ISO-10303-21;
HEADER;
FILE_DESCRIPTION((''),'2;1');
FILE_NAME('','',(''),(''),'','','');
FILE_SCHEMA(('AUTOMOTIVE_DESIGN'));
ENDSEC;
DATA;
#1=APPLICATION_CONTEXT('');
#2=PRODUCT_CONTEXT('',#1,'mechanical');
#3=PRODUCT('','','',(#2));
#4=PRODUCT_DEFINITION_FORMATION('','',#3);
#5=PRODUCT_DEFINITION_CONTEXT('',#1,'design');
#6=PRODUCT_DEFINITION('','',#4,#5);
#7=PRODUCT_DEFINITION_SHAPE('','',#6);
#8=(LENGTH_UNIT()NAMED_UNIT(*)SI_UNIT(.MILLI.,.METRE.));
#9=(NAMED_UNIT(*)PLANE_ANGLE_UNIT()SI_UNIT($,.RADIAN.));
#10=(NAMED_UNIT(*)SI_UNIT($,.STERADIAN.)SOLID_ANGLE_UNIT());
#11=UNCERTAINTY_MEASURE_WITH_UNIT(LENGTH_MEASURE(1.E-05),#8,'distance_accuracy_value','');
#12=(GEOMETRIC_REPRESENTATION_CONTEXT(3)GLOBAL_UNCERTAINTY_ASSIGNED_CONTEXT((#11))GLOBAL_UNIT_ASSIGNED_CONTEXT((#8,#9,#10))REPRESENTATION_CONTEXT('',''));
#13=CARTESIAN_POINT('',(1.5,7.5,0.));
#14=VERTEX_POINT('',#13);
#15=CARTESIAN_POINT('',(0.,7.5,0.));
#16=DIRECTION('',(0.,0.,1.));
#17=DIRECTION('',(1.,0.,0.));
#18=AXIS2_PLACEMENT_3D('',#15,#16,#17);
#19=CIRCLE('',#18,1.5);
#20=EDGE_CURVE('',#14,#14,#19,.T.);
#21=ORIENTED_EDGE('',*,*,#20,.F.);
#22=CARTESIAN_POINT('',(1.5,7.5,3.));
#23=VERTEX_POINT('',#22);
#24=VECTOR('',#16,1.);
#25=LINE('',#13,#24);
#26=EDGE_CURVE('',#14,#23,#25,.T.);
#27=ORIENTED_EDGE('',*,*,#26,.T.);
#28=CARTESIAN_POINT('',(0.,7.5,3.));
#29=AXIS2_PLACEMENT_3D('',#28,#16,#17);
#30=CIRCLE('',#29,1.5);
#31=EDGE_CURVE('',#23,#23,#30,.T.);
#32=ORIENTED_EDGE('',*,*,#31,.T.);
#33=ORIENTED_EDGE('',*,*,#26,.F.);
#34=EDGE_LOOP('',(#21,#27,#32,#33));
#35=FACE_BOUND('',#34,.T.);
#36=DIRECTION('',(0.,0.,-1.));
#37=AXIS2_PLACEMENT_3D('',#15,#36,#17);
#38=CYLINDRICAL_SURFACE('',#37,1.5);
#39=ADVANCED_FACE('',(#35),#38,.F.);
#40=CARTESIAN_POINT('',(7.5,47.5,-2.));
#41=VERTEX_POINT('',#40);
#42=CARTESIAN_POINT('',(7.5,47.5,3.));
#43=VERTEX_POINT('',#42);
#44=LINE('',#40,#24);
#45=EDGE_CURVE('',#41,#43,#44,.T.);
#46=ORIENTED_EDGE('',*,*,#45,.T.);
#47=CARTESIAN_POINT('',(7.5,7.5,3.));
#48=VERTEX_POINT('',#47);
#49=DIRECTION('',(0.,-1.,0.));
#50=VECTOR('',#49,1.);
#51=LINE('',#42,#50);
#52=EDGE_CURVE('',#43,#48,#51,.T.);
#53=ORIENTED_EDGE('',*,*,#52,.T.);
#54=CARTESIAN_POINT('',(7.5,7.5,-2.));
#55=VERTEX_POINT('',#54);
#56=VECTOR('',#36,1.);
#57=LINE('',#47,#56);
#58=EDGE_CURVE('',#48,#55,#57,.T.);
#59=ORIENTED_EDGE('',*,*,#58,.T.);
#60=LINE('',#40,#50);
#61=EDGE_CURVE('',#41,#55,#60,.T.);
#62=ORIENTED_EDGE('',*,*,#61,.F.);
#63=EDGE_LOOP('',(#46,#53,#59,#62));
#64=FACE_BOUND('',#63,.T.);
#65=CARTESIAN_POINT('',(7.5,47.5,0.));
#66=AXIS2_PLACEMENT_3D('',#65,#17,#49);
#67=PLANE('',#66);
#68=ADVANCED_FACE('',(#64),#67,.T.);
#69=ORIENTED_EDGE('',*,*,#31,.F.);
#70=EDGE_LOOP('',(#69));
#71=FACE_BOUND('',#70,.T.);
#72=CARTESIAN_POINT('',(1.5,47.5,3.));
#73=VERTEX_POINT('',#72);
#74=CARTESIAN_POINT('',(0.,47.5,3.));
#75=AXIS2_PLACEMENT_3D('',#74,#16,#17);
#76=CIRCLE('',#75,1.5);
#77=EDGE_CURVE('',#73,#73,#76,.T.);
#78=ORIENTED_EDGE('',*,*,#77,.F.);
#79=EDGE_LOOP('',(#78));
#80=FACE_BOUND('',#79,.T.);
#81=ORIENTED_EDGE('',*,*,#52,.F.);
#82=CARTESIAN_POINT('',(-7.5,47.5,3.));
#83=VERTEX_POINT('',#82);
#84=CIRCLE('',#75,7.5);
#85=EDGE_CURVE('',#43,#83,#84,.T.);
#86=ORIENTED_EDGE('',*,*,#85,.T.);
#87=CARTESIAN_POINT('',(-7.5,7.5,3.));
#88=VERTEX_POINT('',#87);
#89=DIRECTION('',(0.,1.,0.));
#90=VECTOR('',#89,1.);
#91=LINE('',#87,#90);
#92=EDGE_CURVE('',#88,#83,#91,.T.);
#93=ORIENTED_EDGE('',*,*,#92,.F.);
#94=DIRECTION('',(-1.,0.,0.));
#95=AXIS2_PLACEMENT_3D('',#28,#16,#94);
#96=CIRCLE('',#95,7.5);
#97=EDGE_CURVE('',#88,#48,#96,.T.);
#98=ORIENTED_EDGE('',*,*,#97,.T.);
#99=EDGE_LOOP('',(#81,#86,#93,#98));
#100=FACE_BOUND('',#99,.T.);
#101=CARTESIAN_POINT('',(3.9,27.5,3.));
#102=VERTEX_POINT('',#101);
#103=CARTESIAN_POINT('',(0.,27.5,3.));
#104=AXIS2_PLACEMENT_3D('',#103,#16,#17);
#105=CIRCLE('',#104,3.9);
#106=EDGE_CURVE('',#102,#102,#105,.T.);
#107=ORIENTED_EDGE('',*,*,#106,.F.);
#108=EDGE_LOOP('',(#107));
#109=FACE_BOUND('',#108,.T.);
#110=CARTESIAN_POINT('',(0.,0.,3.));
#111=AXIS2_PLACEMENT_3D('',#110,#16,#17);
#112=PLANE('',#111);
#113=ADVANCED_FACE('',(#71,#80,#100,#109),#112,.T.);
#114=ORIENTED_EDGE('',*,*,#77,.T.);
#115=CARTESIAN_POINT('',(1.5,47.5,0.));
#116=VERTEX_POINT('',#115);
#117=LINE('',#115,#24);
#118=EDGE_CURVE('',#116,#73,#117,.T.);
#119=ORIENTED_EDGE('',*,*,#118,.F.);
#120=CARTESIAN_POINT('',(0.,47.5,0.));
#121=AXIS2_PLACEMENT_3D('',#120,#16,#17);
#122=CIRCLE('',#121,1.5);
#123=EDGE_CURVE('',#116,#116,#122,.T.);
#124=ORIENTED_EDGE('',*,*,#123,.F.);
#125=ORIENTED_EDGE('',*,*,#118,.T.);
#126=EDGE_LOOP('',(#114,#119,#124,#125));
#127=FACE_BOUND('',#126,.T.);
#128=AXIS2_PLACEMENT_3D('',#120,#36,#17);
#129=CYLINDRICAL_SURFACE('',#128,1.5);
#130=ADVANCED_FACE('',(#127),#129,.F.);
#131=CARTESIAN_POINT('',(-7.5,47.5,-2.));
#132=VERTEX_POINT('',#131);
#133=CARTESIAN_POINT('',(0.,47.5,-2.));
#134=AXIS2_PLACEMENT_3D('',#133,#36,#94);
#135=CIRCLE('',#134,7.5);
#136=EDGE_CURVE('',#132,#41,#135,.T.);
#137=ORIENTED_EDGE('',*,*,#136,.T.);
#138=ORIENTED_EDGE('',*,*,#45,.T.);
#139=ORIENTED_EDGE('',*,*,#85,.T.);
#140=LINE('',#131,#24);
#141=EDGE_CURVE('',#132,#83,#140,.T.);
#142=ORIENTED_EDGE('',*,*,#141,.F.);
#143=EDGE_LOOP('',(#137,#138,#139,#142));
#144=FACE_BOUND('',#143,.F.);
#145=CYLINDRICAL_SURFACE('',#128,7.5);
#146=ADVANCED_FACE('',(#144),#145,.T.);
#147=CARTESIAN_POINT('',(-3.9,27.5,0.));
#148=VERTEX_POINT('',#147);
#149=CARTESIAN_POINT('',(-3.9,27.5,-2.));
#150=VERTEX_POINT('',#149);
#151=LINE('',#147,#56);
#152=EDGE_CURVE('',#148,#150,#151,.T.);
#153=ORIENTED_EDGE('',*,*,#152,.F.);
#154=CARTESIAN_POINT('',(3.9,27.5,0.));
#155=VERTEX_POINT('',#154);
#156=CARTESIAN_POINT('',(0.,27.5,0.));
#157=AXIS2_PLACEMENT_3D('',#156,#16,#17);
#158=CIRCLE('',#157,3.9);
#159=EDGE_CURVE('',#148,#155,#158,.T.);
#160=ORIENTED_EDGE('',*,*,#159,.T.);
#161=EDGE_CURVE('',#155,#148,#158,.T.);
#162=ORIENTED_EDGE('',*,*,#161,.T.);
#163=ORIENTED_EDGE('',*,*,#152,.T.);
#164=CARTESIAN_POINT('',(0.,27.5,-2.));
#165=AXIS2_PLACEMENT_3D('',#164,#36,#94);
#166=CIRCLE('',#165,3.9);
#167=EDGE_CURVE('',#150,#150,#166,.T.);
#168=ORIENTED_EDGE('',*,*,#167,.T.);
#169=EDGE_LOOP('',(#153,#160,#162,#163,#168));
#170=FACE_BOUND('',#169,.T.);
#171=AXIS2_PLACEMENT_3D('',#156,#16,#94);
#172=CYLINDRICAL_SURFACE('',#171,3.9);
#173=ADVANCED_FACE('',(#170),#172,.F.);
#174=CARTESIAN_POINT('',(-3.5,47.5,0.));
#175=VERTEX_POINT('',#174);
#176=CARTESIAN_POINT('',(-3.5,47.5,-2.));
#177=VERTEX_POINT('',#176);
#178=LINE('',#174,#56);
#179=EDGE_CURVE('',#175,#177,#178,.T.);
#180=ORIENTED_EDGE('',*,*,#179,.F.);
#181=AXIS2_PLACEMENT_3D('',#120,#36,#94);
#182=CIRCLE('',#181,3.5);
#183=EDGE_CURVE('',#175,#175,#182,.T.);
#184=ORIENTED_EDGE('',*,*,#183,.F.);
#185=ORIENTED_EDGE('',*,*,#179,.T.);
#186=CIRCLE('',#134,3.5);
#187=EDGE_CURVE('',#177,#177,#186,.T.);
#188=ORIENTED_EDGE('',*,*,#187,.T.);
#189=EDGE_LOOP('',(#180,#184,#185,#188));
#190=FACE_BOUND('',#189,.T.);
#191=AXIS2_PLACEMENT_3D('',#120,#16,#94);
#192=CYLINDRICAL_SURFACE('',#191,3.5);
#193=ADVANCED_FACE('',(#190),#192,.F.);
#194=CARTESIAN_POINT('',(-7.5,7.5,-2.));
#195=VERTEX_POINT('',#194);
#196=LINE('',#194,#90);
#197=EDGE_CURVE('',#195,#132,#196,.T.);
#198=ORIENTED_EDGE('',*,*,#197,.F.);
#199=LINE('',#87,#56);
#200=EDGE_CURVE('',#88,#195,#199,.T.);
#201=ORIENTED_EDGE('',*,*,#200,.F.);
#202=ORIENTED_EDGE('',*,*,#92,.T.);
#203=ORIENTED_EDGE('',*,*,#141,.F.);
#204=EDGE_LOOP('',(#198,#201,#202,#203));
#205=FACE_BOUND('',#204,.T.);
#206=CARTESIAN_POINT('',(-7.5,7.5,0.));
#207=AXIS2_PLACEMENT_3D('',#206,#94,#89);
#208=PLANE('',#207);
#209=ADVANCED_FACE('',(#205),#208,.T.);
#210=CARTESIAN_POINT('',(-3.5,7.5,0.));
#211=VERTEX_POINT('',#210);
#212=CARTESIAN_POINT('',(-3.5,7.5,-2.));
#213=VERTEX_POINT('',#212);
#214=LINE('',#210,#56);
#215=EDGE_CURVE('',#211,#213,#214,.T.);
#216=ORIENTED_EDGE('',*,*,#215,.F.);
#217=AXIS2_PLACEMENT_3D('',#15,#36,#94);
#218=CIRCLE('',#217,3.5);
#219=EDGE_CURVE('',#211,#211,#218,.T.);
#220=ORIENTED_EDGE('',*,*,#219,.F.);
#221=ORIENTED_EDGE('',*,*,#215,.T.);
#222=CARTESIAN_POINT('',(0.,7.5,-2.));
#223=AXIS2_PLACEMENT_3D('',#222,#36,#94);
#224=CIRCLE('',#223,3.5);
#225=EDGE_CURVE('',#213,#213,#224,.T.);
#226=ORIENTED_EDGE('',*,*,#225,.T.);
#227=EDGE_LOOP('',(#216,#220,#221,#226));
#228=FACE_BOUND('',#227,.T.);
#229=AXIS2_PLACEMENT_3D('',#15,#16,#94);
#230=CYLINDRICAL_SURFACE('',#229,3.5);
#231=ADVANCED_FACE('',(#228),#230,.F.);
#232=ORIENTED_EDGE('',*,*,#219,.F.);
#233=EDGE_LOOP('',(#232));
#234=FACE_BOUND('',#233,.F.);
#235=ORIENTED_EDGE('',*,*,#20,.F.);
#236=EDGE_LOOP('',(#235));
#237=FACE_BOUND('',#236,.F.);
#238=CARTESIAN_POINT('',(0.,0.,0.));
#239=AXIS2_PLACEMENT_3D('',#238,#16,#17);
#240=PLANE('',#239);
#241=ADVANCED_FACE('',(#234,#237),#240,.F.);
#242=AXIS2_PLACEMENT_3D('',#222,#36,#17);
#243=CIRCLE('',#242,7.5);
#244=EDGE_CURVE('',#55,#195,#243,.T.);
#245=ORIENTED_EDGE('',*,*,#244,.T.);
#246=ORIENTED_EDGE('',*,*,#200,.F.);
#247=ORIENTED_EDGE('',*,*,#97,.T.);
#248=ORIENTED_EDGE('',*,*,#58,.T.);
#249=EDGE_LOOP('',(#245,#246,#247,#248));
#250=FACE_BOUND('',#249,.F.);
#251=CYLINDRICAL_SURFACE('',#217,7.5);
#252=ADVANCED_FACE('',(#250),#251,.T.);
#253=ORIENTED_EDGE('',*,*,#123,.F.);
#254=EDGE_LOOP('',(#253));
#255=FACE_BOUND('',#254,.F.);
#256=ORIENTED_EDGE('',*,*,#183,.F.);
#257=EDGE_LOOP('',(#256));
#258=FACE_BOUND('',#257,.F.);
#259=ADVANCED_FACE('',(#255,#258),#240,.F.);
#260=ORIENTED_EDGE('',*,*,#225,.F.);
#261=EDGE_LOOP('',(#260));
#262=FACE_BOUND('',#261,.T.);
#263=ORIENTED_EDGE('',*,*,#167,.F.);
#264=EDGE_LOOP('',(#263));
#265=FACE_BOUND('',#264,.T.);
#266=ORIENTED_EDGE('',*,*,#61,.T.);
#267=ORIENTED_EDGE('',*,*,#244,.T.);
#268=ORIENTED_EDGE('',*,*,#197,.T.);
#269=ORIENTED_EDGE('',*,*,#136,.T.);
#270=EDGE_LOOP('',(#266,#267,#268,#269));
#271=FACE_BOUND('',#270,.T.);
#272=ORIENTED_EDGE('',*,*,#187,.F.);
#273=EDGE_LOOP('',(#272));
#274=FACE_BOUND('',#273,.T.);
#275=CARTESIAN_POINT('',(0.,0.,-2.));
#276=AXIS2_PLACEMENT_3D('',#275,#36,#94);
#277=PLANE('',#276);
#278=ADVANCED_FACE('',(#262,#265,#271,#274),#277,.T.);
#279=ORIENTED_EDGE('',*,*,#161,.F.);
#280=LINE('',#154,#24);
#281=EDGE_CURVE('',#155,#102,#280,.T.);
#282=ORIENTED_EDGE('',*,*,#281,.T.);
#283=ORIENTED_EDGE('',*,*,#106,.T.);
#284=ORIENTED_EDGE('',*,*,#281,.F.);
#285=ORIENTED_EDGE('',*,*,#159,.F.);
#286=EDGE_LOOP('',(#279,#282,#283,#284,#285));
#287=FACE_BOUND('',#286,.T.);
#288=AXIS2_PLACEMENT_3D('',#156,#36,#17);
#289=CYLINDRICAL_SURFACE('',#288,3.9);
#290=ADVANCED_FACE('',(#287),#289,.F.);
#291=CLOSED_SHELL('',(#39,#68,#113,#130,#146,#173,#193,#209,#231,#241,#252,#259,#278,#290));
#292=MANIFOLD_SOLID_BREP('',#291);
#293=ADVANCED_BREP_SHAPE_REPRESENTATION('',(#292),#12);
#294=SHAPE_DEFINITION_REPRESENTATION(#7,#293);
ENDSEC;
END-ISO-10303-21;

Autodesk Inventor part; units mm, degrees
ref_plane "YZ Plane" through (0, 0, 0) normal (1, 0, 0) x (0, 1, 0)
ref_plane "XZ Plane" through (0, 0, 0) normal (0, 1, 0) x (-1, 0, 0)
ref_plane "XY Plane" through (0, 0, 0) normal (0, 0, 1) x (1, 0, 0)
sketch "Sketch1" plane through (0, 0, 0) normal (0, 0, 1) x (1, 0, 0)
  line L0 (0, 0) -> (0, 55) construction
  circle A0 centre (0, 47.5) radius 7.5 construction
  circle A1 centre (0, 7.5) radius 7.5 construction
  line L1 (7.5, 47.5) -> (7.5, 7.5)
  line L2 (-7.5, 7.5) -> (-7.5, 47.5)
  arc A2 (7.5, 47.5) -> (-7.5, 47.5) centre (0, 47.5) ccw
  arc A3 (-7.5, 7.5) -> (7.5, 7.5) centre (0, 7.5) ccw
  circle A4 centre (0, 27.5) radius 3.9
  circle A5 centre (0, 47.5) radius 1.5
  circle A6 centre (0, 7.5) radius 1.5
  dimension "d1" = 15
  dimension "d2" = 15
  dimension "d3" = 7.8
  dimension "d4" = 3
  dimension "d5" = 3
  dimension "d25" = 40
extrude "Extrusion1" add sketch "Sketch1" along normal blind 3
sketch "Sketch7" plane through (0, 0, 0) normal (0, 0, -1) x (-1, 0, 0)
  circle A0 centre (0, 27.5) radius 3.9 projected
  circle A1 centre (0, 7.5) radius 1.5 projected
  circle A2 centre (0, 47.5) radius 1.5 projected
  line L0 (-7.5, 47.5) -> (-7.5, 7.5) projected
  arc A3 (-7.5, 7.5) -> (7.5, 7.5) centre (0, 7.5) ccw projected
  line L1 (7.5, 7.5) -> (7.5, 47.5) projected
  arc A4 (7.5, 47.5) -> (-7.5, 47.5) centre (0, 47.5) ccw projected
  circle A5 centre (0, 47.5) radius 3.5
  circle A6 centre (0, 7.5) radius 3.5
  point P0 (0, 0)
  dimension "d21" = 7
  dimension "d22" = 7
extrude "Extrusion6" add sketch "Sketch7" along normal blind 2 contours A4 L1 A3 L0
properties part number "WaveGenerator" material "ABS Plastic"
